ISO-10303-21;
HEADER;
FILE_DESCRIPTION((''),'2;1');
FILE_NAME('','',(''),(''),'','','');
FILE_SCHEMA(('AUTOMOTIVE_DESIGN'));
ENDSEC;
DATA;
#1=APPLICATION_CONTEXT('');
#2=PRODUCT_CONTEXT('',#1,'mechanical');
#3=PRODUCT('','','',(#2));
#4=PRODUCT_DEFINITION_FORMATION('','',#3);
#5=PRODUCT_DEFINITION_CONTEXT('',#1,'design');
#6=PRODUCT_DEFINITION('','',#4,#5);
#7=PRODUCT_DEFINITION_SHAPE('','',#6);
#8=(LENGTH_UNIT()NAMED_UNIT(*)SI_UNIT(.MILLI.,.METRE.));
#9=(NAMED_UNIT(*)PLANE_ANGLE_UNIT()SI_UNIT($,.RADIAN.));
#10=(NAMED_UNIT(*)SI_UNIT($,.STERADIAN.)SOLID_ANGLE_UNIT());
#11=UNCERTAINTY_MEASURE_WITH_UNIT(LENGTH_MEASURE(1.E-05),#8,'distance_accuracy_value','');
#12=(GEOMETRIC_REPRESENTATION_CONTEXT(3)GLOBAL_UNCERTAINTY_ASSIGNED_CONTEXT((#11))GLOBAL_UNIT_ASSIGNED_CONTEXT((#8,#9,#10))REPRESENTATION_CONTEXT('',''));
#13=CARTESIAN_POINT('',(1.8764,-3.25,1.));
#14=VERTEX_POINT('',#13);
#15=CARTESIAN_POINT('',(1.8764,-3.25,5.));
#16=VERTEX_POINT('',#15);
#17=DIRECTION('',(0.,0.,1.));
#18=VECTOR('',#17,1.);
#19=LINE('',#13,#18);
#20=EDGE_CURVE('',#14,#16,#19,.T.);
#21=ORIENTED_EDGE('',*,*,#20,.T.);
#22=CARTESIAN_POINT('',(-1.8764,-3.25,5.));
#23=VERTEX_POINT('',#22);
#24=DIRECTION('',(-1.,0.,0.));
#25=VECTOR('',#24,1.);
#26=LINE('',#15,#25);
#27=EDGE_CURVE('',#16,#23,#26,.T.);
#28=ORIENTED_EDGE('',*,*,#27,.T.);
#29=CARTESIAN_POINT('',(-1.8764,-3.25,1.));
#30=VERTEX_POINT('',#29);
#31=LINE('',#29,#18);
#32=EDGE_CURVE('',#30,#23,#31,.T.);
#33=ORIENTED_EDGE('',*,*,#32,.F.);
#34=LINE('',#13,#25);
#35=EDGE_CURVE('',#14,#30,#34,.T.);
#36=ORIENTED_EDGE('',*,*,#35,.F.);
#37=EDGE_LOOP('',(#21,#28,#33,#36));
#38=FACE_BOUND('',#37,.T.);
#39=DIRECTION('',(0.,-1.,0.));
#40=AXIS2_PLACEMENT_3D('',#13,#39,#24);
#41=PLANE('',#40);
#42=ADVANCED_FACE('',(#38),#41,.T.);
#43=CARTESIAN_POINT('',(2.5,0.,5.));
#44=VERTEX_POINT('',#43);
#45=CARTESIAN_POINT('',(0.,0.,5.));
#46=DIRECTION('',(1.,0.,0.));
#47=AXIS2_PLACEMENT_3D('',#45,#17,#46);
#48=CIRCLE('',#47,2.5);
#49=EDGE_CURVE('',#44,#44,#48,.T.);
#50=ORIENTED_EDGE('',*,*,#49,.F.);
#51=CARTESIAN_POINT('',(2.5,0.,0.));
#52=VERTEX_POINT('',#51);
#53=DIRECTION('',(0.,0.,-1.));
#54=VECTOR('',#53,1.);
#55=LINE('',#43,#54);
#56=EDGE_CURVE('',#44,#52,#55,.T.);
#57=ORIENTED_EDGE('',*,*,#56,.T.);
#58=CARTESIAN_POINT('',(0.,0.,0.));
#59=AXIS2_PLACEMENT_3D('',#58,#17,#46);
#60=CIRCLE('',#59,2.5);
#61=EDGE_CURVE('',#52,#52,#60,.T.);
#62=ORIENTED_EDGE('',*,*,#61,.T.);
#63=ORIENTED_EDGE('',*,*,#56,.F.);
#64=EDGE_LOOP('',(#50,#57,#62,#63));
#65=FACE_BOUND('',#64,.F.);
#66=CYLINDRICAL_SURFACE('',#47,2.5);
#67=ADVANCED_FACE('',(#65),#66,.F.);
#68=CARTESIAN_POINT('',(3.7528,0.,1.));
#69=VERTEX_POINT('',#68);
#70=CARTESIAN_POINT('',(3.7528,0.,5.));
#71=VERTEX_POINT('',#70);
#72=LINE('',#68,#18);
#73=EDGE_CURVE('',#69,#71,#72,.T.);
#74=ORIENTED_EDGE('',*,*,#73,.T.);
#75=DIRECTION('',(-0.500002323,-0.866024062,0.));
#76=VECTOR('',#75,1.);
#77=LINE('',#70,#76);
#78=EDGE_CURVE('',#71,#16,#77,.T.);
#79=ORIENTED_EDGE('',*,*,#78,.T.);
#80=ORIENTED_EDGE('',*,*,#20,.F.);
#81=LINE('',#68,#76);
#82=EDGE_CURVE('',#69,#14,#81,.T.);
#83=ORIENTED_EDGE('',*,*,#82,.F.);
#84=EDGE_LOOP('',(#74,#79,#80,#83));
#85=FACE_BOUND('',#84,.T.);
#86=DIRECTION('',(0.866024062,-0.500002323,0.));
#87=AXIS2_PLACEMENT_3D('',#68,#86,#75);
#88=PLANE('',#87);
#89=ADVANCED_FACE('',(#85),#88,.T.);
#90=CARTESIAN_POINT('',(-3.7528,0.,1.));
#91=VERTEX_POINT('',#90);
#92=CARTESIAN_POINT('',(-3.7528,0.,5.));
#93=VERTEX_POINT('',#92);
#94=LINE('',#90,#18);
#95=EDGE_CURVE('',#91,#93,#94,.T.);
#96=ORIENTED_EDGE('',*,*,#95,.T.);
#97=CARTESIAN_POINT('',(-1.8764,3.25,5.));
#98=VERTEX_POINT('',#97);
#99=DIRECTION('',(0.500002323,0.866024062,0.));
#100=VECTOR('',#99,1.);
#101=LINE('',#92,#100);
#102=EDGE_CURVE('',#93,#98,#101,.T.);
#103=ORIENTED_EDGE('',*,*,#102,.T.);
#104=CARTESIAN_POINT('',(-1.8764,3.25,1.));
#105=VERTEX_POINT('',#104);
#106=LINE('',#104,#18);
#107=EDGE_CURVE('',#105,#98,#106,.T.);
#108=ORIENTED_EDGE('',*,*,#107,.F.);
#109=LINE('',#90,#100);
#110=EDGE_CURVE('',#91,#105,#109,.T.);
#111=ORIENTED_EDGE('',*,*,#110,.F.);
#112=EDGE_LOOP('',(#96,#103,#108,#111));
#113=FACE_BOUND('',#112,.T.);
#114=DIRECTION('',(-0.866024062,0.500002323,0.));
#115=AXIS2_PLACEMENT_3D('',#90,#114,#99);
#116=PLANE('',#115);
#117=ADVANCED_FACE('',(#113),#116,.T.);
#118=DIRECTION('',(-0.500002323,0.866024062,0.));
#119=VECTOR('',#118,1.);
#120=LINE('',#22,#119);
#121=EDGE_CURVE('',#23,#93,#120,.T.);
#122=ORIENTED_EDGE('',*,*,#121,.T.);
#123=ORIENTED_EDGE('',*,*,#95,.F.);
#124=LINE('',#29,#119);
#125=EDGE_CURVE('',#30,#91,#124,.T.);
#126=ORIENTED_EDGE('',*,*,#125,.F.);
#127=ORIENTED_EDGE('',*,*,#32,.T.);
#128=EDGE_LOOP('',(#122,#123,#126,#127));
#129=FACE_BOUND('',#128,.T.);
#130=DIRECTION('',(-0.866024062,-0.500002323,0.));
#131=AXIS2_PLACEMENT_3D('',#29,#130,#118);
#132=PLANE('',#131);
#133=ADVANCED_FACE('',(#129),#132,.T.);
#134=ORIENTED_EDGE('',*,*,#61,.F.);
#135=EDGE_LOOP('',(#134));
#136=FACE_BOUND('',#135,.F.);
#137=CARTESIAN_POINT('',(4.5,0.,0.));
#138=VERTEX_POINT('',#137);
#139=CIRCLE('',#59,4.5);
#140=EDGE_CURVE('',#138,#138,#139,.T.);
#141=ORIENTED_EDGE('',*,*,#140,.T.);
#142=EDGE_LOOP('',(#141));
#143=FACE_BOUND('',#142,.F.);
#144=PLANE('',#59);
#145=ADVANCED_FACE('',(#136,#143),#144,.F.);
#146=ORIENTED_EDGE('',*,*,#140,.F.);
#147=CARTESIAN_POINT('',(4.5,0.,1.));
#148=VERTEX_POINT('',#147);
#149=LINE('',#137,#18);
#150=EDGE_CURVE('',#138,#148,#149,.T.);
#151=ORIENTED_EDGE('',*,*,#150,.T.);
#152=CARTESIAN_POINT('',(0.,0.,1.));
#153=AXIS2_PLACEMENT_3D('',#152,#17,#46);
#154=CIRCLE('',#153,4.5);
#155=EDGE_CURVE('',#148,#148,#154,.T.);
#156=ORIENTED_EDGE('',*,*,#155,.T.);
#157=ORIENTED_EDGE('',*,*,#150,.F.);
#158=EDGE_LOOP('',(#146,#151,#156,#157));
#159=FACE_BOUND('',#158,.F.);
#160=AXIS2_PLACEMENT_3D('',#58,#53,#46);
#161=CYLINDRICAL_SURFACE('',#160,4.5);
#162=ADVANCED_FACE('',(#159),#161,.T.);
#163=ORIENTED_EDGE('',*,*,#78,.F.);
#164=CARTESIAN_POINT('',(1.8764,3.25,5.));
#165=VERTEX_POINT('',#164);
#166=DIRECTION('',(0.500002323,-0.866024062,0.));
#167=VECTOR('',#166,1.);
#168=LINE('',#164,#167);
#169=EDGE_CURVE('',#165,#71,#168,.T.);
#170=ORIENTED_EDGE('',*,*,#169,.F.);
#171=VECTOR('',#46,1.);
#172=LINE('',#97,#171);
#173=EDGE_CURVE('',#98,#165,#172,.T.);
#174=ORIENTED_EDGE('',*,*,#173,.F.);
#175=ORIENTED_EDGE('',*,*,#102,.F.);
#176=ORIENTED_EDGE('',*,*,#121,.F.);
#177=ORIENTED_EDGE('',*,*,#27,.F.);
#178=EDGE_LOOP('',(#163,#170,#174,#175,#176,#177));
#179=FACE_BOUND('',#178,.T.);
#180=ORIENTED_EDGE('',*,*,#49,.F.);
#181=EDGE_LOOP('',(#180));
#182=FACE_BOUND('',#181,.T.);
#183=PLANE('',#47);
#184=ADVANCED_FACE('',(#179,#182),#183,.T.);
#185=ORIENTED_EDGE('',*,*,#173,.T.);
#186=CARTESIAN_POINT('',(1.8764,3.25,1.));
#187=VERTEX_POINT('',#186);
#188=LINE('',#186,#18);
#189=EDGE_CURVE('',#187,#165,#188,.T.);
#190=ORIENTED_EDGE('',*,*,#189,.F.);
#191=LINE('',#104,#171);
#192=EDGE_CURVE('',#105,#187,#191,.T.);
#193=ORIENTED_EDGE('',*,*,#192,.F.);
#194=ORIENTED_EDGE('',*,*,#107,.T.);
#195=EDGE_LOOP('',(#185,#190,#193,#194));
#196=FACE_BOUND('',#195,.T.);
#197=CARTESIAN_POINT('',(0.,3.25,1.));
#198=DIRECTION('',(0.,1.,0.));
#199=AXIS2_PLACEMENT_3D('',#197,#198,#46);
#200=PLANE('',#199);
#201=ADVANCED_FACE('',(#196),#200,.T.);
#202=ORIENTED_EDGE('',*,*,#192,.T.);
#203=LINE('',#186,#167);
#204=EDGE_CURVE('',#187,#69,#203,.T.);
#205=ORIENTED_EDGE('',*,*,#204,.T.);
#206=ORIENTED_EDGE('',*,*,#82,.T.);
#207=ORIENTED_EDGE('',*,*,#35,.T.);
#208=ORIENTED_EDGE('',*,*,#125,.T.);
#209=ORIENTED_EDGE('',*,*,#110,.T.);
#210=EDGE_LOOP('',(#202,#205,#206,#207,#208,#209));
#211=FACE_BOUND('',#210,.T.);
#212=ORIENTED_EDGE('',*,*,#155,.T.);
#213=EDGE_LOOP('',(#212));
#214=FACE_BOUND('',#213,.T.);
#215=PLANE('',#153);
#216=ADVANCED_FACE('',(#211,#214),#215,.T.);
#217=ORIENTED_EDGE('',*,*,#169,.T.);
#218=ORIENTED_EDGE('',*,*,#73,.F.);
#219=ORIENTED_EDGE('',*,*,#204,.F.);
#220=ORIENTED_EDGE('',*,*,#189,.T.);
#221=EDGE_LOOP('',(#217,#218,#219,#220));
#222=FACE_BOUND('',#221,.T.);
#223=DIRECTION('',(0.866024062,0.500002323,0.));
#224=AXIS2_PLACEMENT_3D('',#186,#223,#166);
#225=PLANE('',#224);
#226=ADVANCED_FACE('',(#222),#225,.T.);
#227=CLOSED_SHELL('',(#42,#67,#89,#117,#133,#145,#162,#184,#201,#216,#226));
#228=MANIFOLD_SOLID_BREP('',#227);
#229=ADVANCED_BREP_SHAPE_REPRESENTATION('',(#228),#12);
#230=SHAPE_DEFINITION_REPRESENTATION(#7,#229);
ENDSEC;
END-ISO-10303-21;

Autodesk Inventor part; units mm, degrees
ref_plane "YZ Plane" through (0, 0, 0) normal (1, 0, 0) x (0, 1, 0)
ref_plane "XZ Plane" through (0, 0, 0) normal (0, 1, 0) x (-1, 0, 0)
ref_plane "XY Plane" through (0, 0, 0) normal (0, 0, 1) x (1, 0, 0)
sketch "草图1" plane through (0, 0, 0) normal (0, 0, 1) x (1, 0, 0)
  circle A0 centre (0, 0) radius 4.5
  dimension "d0" = 9
extrude "拉伸1" add sketch "草图1" along normal blind 1
sketch "草图2" plane through (0, 0, 1) normal (0, 0, 1) x (1, 0, 0)
  line L0 (1.8764, -3.25) -> (-1.8764, -3.25)
  line L1 (-1.8764, -3.25) -> (-3.7528, 0)
  line L2 (-3.7528, 0) -> (-1.8764, 3.25)
  line L3 (-1.8764, 3.25) -> (1.8764, 3.25)
  line L4 (1.8764, 3.25) -> (3.7528, 0)
  line L5 (3.7528, 0) -> (1.8764, -3.25)
  line L6 (0, 0) -> (0, 3.25)
  dimension "d3" = 6.5
extrude "拉伸2" add sketch "草图2" along normal blind 4
sketch "草图3" plane through (0, 0, 5) normal (0, 0, 1) x (1, 0, 0)
  circle A0 centre (0, 0) radius 2.5
  dimension "d6" = 5
extrude "拉伸3" cut sketch "草图3" against normal through all
thread "螺纹1" size "M5x0.8" class "6H" standard "ANSI Metric M Profile" full length
properties part number "刮肉轮固定螺丝"
